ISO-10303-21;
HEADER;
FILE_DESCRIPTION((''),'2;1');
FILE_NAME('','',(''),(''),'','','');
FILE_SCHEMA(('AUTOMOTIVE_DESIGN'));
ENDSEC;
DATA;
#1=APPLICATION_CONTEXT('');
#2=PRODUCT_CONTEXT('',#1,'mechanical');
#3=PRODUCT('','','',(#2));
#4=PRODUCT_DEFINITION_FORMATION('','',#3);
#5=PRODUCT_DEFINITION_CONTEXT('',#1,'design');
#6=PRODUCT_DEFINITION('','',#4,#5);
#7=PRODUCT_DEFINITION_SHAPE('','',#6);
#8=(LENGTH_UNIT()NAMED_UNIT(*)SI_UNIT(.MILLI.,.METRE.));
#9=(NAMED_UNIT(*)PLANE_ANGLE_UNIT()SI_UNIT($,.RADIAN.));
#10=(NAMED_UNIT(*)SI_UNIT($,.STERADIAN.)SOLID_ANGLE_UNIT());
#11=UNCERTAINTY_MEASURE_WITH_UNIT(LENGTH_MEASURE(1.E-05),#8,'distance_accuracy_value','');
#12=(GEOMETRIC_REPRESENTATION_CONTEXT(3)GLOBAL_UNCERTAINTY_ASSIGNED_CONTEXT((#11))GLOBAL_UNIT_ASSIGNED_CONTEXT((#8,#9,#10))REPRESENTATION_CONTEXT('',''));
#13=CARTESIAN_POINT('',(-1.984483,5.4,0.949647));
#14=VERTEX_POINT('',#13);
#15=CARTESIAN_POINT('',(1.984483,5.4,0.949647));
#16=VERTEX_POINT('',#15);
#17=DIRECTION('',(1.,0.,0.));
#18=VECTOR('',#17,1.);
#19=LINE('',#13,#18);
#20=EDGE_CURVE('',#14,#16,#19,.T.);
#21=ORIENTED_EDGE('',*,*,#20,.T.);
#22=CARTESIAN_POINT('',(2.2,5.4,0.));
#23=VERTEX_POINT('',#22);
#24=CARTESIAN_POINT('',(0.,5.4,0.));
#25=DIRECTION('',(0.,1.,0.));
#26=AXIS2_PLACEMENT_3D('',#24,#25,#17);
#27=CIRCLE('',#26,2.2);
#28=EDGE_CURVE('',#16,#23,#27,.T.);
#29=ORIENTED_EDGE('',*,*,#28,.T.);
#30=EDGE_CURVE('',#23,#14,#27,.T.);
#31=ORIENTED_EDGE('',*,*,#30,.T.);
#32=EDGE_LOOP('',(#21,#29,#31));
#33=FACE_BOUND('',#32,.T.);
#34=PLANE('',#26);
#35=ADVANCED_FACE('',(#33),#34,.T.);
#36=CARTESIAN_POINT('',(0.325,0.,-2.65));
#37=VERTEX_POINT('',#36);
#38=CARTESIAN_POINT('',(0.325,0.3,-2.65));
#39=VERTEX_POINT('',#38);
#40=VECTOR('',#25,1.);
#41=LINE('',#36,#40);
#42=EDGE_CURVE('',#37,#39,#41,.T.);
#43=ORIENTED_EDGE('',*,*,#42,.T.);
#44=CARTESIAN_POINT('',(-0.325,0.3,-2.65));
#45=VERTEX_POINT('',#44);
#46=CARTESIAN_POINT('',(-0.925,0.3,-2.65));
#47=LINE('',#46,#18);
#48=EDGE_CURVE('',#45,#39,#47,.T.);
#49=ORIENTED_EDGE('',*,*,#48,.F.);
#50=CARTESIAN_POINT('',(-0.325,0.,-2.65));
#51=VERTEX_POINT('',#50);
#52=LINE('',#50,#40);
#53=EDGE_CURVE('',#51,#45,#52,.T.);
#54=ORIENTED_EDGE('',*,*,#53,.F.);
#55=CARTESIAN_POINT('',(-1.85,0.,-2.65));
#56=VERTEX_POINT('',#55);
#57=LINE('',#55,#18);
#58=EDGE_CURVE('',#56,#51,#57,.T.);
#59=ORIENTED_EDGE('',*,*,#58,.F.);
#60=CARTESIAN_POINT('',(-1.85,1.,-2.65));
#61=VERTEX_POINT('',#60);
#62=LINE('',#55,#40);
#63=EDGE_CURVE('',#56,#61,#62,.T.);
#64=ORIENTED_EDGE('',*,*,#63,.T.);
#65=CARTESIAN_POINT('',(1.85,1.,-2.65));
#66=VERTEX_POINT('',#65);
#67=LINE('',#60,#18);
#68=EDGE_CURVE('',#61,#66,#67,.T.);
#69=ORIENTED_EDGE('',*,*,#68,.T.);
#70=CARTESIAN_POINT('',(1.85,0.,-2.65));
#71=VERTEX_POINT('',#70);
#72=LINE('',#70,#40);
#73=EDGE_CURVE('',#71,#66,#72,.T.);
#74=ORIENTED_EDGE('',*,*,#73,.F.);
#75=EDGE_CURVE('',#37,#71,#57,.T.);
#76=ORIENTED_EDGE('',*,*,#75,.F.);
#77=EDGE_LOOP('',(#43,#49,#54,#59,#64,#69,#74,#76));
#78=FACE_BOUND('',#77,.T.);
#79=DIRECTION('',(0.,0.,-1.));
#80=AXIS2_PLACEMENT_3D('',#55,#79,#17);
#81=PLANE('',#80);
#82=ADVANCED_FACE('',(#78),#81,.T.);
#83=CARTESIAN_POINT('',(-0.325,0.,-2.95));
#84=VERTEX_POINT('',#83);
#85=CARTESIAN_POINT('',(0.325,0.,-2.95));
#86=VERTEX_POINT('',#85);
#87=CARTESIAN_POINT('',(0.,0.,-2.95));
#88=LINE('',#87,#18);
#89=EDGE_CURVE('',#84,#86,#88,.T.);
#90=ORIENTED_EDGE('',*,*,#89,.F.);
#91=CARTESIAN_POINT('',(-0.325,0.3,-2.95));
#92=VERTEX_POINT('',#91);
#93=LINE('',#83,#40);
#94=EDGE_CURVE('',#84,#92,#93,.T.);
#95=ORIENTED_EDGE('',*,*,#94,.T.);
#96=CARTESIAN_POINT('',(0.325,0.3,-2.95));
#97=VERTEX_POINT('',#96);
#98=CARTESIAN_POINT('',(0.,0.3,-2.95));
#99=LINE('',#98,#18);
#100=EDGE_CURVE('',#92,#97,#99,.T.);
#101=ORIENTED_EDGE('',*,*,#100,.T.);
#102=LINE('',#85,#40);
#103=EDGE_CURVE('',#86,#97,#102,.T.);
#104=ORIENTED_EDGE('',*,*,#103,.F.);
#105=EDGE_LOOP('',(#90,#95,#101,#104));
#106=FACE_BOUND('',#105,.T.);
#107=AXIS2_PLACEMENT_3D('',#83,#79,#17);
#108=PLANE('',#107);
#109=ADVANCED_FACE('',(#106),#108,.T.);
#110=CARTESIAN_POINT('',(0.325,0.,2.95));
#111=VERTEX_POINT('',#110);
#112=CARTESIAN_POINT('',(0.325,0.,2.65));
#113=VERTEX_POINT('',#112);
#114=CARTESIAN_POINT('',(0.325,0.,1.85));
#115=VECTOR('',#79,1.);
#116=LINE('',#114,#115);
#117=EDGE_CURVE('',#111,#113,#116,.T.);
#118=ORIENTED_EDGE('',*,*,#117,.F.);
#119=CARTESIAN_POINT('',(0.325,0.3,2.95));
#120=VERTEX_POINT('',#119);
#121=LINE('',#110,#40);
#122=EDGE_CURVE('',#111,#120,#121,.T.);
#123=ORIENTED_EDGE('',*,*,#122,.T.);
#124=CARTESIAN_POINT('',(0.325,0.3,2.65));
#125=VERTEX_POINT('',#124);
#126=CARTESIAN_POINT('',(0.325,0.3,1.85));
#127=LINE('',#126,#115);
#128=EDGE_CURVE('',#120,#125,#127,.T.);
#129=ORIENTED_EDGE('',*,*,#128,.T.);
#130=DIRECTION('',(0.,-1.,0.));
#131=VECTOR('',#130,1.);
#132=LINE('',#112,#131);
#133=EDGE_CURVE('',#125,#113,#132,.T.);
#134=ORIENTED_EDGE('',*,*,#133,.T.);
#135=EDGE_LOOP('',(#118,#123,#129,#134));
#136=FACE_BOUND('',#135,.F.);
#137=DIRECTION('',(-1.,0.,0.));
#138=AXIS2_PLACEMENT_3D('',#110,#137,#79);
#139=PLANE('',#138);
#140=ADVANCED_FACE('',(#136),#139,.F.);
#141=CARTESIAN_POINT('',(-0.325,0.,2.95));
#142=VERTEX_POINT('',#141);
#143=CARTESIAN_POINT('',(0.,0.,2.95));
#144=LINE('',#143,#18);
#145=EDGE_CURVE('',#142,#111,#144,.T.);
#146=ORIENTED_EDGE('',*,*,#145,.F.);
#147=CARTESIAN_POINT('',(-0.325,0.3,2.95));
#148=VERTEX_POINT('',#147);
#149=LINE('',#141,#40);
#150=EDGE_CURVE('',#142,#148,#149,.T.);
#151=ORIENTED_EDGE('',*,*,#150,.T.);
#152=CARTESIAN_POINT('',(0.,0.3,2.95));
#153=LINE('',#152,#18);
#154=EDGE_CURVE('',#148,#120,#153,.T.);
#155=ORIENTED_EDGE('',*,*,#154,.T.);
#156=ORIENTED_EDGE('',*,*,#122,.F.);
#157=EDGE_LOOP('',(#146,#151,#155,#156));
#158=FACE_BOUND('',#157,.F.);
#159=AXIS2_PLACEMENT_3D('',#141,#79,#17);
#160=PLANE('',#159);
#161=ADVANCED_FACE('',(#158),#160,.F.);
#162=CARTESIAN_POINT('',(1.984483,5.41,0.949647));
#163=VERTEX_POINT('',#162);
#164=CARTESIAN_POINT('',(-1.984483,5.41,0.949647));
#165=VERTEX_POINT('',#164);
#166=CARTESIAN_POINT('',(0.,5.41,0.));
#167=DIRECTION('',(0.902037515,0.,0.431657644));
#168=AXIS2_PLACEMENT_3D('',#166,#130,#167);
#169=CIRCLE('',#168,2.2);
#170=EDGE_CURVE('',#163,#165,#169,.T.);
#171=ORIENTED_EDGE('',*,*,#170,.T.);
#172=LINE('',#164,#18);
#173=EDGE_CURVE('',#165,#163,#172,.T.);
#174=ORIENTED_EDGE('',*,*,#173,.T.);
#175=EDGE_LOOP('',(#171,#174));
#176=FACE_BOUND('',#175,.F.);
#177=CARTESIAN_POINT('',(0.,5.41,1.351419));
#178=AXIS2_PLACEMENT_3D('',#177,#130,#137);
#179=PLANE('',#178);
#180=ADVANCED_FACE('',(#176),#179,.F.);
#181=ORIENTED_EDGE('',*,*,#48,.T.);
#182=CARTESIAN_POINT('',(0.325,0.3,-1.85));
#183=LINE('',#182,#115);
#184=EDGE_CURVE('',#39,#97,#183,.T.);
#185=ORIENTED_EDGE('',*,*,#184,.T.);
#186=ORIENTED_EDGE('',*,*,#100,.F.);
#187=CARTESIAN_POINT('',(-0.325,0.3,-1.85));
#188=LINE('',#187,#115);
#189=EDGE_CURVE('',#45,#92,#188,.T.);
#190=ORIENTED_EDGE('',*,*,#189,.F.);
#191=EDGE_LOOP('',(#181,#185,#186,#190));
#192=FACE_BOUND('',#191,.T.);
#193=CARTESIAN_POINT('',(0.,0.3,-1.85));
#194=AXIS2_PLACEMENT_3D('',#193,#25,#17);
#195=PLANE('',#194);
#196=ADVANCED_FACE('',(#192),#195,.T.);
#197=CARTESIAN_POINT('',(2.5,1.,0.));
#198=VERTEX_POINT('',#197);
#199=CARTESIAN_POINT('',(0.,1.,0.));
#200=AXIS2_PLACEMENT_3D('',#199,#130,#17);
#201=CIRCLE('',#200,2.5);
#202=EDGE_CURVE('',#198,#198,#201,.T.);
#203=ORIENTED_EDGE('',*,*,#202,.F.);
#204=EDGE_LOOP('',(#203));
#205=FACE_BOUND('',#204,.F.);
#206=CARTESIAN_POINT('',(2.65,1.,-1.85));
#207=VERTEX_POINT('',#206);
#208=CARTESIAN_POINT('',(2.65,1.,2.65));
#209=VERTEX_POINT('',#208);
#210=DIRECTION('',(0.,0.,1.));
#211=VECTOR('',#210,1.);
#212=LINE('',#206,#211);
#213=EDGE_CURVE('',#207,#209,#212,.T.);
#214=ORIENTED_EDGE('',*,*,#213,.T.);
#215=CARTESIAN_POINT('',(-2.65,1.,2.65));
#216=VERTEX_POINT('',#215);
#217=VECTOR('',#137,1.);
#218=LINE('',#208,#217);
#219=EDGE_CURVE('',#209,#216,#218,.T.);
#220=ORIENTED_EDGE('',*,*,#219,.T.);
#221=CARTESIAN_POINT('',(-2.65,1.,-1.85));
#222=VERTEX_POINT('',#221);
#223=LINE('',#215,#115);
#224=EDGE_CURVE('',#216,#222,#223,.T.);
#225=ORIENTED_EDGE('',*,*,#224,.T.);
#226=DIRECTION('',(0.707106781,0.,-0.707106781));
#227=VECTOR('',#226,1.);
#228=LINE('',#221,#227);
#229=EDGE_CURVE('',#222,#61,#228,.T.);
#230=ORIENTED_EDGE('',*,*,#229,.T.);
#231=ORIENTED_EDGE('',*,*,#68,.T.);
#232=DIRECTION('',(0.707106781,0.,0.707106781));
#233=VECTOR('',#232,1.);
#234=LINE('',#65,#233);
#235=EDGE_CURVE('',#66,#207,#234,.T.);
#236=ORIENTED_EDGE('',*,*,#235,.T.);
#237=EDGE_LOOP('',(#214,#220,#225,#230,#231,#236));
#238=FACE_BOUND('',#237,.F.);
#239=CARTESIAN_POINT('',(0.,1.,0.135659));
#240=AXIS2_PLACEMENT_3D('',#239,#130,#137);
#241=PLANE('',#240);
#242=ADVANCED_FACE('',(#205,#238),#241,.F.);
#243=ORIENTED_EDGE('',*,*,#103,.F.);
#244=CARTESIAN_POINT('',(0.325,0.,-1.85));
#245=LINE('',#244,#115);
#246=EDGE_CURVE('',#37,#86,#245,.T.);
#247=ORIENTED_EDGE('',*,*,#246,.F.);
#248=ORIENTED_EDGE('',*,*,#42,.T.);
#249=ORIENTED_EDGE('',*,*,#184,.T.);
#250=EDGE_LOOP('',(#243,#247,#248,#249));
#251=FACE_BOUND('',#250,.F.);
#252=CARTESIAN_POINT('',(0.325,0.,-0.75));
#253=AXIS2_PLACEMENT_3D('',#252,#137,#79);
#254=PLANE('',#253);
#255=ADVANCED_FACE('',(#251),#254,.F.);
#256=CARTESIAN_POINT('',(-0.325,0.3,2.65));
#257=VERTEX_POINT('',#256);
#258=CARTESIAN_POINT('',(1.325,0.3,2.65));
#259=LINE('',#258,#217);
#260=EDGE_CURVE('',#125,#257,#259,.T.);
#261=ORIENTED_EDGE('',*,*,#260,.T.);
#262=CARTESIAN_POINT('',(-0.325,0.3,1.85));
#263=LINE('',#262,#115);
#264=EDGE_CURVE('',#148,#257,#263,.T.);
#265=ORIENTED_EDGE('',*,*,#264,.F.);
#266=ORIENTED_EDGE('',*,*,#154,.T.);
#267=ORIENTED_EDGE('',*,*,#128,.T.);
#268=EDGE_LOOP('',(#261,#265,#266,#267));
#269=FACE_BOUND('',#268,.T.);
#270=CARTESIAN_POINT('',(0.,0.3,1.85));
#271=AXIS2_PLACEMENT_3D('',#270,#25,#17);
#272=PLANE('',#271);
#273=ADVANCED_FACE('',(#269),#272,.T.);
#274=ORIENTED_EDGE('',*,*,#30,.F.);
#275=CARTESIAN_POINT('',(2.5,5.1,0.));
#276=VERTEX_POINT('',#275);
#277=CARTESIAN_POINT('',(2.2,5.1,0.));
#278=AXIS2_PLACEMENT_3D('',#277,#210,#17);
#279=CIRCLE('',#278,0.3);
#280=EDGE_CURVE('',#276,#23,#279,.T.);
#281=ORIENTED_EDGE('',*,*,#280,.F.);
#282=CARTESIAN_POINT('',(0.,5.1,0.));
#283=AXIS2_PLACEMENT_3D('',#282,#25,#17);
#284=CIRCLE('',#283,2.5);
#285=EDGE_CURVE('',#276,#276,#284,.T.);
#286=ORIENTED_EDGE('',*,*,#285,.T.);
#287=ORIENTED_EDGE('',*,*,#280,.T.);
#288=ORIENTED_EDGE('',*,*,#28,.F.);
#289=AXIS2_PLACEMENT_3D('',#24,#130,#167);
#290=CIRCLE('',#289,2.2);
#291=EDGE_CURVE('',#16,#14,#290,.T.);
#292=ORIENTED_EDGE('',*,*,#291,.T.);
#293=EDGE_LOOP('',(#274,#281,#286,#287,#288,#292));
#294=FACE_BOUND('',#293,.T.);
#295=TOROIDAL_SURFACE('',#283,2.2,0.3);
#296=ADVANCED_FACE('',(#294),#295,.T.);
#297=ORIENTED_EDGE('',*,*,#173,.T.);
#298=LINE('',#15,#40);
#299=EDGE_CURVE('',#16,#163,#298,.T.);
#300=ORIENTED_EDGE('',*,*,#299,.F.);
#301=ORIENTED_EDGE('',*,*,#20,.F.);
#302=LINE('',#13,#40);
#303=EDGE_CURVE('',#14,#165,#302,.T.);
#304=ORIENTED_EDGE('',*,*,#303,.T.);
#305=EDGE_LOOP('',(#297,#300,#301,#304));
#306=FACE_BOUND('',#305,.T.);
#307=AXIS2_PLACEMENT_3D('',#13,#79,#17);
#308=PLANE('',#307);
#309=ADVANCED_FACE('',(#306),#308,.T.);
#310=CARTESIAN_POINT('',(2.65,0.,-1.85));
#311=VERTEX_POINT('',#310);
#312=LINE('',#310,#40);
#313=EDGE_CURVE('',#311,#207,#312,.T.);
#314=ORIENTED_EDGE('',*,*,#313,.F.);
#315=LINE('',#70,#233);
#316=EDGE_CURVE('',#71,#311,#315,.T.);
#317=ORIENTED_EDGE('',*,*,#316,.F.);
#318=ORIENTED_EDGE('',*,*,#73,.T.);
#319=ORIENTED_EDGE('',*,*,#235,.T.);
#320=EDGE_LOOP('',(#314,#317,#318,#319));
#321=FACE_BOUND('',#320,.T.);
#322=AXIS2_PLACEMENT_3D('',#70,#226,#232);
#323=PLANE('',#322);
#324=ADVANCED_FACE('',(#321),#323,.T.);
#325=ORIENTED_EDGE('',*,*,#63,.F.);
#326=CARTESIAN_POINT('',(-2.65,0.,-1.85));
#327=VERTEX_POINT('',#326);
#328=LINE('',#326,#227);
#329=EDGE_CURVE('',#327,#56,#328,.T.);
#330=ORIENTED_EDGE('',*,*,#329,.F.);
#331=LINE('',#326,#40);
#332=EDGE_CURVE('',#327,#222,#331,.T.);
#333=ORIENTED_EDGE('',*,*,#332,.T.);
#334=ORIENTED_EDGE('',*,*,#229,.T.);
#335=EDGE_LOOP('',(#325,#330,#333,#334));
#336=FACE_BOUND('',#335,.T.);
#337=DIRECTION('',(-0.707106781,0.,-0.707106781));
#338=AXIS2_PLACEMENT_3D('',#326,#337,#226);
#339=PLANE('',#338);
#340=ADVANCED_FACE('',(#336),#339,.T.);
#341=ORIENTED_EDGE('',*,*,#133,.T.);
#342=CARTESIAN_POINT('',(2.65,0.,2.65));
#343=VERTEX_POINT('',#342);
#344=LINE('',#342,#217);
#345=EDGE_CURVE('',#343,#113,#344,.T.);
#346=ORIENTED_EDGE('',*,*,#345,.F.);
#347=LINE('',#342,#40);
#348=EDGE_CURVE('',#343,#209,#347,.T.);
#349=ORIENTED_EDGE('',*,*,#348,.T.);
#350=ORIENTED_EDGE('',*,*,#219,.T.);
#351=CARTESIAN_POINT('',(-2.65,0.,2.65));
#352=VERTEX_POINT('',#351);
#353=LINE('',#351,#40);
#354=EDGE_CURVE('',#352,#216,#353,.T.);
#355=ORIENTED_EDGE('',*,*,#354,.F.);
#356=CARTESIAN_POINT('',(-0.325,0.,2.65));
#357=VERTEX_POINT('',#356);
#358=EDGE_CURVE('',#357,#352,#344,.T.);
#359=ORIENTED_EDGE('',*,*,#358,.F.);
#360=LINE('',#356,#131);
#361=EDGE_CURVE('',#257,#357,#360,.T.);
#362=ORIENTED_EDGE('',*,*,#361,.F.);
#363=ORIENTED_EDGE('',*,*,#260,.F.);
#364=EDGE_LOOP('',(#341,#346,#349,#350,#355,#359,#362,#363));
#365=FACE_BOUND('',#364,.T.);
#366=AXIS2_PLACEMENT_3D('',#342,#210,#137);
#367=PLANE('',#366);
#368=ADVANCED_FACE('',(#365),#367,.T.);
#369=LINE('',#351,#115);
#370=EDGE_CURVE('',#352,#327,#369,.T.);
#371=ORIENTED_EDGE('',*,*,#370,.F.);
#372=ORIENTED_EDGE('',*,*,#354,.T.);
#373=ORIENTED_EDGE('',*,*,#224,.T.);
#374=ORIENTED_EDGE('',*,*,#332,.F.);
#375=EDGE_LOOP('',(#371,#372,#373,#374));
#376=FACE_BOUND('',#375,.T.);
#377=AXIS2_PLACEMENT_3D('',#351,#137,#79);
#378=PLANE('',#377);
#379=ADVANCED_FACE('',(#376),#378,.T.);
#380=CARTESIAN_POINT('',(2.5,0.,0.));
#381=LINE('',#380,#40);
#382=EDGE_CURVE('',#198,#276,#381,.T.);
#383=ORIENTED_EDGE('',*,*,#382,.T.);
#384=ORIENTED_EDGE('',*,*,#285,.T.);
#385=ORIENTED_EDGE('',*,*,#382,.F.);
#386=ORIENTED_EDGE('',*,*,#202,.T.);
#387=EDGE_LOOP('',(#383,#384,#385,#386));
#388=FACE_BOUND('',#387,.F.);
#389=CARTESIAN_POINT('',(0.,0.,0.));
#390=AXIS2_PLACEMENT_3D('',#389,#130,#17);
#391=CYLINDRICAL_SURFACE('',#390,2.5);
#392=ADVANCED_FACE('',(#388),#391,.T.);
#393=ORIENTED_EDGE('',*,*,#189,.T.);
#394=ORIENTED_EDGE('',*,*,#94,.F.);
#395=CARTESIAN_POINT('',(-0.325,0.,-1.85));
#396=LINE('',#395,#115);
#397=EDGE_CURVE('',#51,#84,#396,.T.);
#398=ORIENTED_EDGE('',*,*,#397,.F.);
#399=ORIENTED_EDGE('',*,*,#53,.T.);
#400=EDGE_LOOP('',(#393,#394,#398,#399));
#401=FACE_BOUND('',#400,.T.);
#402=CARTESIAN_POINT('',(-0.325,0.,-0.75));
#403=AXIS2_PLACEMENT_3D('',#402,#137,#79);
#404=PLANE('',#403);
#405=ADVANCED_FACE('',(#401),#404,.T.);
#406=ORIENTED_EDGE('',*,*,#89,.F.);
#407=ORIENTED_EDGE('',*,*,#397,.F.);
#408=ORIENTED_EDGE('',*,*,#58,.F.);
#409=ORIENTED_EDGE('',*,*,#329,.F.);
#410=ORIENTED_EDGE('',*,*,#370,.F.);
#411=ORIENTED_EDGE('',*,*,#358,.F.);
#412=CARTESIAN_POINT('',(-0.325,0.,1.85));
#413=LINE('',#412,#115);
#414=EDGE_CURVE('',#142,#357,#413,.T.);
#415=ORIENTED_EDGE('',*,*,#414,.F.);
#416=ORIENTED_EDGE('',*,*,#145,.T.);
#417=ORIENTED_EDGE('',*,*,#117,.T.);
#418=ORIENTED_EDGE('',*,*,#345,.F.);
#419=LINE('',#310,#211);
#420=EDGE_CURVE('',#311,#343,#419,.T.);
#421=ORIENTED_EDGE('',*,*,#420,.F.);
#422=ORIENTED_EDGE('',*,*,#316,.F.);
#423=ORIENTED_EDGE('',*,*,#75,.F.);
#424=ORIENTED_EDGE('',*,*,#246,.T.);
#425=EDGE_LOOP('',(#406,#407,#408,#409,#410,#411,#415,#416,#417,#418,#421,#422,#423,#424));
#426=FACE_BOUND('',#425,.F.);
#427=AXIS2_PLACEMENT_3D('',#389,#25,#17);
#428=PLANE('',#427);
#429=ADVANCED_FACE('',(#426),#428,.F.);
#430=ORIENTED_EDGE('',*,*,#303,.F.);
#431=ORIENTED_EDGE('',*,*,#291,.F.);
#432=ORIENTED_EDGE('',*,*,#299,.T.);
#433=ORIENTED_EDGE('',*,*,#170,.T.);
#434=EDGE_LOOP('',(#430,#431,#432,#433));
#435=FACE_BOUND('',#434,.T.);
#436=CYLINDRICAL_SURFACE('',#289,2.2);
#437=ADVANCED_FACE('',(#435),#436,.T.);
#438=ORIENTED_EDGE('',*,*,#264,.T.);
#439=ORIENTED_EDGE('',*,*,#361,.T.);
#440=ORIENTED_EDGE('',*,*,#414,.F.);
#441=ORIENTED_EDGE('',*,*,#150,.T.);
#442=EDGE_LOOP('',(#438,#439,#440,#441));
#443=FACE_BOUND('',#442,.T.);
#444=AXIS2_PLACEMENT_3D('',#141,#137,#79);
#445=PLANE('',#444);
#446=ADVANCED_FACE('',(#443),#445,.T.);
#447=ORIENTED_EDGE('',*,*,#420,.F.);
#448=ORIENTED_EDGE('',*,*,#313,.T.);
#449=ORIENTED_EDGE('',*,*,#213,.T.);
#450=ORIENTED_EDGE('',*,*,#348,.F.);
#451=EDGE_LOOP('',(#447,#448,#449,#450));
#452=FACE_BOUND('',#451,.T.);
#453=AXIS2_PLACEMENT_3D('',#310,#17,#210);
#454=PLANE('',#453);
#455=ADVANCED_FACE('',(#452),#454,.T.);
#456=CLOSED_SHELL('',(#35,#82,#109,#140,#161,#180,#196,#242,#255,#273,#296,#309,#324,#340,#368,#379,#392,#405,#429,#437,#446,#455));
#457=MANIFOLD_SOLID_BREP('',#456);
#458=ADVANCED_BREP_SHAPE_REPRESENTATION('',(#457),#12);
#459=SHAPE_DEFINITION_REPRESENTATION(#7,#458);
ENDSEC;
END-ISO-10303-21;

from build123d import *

# Parameters (mm, degrees)
BOSS_EXTRUDE1_DEPTH = 1
SKETCH3_R           = 2.5
BOSS_EXTRUDE2_DEPTH = 5.4
FILLET1_R           = 0.3
SKETCH4_W           = 0.65
SKETCH4_H           = 2.2
BOSS_EXTRUDE3_DEPTH = 0.3
BOSS_EXTRUDE4_DEPTH = 0.01


with BuildPart() as part:
    # Sketch2 → Boss-Extrude1 (new body)
    with BuildSketch(Plane(origin=(0, 0, 0), x_dir=(1, 0, 0), z_dir=(0, 1, 0))):
        Polygon((2.65, -2.65), (-2.65, -2.65), (-2.65, 1.85), (-1.85, 2.65), (1.85, 2.65), (2.65, 1.85), align=None)
    extrude(amount=BOSS_EXTRUDE1_DEPTH)

    # Sketch3 → Boss-Extrude2 (add)
    with BuildSketch(Plane(origin=(0, 0, 0), x_dir=(1, 0, 0), z_dir=(0, 1, 0))):
        Circle(SKETCH3_R)
    extrude(amount=BOSS_EXTRUDE2_DEPTH)

    # Fillet1
    fillet1_edges = [part.edges().sort_by_distance(p)[0] for p in [
        (-2.5, 5.4, 0),
    ]]
    fillet(fillet1_edges, radius=FILLET1_R)

    # Sketch4 → Boss-Extrude3 (add)
    with BuildSketch(Plane(origin=(0, 0, 0), x_dir=(1, 0, 0), z_dir=(0, 1, 0))):
        with Locations((0, 1.85)):
            Rectangle(SKETCH4_W, SKETCH4_H)
        with Locations((0, -1.85)):
            Rectangle(SKETCH4_W, SKETCH4_H)
    extrude(amount=BOSS_EXTRUDE3_DEPTH)

    # Sketch5 → Boss-Extrude4 (add)
    with BuildSketch(Plane(origin=(0, 5.4, 0), x_dir=(1, 0, 0), z_dir=(0, 1, 0))):
        with BuildLine():
            Line((-1.984482533, -0.949646816), (1.984482533, -0.949646816))
            ThreePointArc((1.984482533, -0.949646816), (0, -2.2), (-1.984482533, -0.949646816))
        make_face()
    extrude(amount=BOSS_EXTRUDE4_DEPTH)


solid = part.part
